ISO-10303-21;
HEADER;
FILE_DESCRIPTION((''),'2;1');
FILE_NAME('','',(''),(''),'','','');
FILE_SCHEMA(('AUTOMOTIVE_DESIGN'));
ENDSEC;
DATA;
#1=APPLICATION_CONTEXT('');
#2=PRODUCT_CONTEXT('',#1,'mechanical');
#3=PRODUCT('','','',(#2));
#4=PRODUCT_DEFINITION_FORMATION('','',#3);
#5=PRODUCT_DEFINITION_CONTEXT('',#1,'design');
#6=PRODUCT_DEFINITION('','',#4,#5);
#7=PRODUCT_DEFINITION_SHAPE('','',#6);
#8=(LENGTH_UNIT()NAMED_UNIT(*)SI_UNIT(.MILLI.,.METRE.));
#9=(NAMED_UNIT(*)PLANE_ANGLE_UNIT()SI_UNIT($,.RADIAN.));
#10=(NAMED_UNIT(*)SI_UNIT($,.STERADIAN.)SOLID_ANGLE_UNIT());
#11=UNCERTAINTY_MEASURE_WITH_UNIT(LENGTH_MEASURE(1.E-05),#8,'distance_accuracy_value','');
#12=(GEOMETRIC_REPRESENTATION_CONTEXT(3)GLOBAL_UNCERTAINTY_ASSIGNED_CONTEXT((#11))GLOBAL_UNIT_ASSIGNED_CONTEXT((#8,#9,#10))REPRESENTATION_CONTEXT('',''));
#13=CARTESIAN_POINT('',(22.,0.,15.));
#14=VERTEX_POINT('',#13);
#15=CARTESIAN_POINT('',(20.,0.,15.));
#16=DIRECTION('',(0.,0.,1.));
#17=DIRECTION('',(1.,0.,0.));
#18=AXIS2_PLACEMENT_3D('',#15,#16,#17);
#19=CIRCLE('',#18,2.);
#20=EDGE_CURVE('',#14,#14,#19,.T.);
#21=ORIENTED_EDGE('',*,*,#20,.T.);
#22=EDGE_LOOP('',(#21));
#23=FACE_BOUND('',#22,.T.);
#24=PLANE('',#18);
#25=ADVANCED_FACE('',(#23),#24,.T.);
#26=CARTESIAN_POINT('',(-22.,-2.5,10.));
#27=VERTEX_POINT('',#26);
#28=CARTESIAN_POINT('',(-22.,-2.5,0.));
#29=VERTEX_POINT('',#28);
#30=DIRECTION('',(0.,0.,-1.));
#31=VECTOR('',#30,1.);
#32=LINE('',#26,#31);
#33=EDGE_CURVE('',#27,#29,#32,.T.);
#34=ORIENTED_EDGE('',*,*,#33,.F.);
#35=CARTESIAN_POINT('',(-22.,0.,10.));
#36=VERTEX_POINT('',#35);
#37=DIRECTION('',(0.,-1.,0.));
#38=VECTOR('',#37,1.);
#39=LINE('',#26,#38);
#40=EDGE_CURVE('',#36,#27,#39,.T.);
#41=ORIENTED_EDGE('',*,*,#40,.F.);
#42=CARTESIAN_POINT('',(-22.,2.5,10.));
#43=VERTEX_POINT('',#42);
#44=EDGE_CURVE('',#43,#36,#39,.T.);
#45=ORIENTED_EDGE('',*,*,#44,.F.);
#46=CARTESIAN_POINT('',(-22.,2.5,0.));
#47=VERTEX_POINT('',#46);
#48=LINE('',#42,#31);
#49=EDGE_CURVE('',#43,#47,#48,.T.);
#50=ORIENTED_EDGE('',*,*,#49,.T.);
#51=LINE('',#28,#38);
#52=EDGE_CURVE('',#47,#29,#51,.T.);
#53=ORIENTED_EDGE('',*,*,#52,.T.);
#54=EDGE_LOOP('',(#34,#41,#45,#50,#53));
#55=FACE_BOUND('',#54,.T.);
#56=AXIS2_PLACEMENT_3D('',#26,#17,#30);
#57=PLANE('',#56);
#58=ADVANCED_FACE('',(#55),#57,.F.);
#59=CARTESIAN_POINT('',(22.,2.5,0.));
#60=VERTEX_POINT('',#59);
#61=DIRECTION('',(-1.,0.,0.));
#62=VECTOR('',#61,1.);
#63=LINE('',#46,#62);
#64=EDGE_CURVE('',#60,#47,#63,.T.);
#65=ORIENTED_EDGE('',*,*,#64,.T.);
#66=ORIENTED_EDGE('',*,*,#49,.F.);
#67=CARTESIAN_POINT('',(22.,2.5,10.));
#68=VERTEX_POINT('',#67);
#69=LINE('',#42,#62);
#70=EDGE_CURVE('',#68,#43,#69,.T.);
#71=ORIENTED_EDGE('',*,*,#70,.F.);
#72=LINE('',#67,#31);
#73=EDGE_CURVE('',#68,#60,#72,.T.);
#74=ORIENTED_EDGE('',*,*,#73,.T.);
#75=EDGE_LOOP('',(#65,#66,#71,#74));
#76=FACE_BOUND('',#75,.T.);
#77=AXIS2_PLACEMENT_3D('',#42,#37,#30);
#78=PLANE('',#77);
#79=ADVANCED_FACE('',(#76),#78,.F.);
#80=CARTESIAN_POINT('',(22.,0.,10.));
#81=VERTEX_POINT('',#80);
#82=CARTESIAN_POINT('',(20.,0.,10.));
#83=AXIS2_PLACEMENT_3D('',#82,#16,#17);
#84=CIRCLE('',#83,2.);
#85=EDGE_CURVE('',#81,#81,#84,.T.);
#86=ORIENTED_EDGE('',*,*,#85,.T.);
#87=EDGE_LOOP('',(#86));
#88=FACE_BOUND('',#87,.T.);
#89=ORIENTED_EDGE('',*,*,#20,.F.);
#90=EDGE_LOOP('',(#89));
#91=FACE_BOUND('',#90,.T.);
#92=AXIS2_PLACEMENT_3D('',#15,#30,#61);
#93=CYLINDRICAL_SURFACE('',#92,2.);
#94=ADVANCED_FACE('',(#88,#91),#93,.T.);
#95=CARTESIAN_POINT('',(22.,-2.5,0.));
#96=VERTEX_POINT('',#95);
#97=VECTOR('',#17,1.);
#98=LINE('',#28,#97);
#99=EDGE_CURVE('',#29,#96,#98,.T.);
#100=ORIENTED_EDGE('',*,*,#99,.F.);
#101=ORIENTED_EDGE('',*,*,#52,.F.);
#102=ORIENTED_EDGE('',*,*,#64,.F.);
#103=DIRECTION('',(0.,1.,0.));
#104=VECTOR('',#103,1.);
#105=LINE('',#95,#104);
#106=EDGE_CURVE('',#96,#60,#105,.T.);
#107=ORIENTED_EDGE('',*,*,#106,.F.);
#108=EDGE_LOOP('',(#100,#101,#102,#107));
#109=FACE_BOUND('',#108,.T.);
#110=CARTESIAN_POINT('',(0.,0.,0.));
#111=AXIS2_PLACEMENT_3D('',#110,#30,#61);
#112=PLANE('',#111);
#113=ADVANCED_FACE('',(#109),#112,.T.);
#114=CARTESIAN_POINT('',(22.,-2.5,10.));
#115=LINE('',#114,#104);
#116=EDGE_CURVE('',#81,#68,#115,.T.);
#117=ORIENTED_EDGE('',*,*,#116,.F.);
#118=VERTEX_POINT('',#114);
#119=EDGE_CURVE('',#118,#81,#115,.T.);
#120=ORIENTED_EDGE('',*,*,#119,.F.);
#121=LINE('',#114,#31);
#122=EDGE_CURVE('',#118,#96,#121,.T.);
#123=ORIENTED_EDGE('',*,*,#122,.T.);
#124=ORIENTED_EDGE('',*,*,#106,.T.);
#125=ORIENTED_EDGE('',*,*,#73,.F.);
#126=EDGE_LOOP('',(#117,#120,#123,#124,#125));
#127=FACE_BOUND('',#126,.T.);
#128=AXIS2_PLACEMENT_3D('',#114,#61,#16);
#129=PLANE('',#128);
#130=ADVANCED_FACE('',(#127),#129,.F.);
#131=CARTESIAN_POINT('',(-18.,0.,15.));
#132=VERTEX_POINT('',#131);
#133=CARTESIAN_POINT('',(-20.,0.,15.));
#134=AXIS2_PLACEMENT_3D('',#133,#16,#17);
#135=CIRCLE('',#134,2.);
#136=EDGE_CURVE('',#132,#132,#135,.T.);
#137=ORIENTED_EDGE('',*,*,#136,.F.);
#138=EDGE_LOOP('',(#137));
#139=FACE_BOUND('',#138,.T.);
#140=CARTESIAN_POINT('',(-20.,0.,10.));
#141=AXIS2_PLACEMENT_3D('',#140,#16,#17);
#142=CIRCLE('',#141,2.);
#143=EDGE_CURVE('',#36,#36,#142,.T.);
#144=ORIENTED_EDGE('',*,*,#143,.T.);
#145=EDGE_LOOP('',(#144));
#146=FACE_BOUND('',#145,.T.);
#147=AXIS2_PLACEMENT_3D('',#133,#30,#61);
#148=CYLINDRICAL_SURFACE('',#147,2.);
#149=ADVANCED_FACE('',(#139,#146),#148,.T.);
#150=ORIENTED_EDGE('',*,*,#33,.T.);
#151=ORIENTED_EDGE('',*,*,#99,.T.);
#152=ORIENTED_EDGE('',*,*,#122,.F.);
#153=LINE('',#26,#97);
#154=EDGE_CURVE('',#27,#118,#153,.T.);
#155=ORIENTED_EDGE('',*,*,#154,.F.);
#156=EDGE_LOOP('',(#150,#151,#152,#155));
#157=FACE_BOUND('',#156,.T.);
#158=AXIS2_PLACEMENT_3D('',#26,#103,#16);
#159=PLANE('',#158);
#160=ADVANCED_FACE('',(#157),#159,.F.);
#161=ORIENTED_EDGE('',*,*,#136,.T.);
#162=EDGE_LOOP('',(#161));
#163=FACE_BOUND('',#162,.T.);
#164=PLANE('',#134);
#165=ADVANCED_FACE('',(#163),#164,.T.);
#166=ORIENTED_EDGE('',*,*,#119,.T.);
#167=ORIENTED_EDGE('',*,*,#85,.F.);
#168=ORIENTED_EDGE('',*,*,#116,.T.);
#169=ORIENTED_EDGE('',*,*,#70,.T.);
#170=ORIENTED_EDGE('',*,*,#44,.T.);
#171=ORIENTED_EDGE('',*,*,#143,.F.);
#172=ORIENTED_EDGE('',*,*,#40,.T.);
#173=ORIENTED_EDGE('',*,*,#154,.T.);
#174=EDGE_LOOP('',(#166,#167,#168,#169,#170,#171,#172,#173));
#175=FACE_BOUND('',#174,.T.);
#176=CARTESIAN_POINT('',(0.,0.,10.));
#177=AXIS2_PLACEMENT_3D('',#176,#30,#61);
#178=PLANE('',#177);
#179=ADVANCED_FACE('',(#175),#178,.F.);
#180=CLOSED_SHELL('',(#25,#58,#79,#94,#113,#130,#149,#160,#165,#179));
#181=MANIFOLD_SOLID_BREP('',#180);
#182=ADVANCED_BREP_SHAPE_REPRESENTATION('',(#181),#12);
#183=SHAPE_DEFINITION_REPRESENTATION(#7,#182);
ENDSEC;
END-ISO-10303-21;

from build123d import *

# Parameters (mm, degrees)
CROQUIS1_W              = 44
CROQUIS1_H              = 5
SALIENTE_EXTRUIR1_DEPTH = 10
CROQUIS2_R              = 2
SALIENTE_EXTRUIR2_DEPTH = 5


with BuildPart() as part:
    # Croquis1 → Saliente-Extruir1 (new body)
    with BuildSketch(Plane.XY):
        Rectangle(CROQUIS1_W, CROQUIS1_H)
    extrude(amount=SALIENTE_EXTRUIR1_DEPTH)

    # Croquis2 → Saliente-Extruir2 (add)
    with BuildSketch(Plane.XY.offset(10)):
        with Locations(Location((-20, 0, 0), (0, 0, 180))):
            Circle(CROQUIS2_R)
        with Locations((20, 0)):
            Circle(CROQUIS2_R)
    extrude(amount=SALIENTE_EXTRUIR2_DEPTH)


solid = part.part
